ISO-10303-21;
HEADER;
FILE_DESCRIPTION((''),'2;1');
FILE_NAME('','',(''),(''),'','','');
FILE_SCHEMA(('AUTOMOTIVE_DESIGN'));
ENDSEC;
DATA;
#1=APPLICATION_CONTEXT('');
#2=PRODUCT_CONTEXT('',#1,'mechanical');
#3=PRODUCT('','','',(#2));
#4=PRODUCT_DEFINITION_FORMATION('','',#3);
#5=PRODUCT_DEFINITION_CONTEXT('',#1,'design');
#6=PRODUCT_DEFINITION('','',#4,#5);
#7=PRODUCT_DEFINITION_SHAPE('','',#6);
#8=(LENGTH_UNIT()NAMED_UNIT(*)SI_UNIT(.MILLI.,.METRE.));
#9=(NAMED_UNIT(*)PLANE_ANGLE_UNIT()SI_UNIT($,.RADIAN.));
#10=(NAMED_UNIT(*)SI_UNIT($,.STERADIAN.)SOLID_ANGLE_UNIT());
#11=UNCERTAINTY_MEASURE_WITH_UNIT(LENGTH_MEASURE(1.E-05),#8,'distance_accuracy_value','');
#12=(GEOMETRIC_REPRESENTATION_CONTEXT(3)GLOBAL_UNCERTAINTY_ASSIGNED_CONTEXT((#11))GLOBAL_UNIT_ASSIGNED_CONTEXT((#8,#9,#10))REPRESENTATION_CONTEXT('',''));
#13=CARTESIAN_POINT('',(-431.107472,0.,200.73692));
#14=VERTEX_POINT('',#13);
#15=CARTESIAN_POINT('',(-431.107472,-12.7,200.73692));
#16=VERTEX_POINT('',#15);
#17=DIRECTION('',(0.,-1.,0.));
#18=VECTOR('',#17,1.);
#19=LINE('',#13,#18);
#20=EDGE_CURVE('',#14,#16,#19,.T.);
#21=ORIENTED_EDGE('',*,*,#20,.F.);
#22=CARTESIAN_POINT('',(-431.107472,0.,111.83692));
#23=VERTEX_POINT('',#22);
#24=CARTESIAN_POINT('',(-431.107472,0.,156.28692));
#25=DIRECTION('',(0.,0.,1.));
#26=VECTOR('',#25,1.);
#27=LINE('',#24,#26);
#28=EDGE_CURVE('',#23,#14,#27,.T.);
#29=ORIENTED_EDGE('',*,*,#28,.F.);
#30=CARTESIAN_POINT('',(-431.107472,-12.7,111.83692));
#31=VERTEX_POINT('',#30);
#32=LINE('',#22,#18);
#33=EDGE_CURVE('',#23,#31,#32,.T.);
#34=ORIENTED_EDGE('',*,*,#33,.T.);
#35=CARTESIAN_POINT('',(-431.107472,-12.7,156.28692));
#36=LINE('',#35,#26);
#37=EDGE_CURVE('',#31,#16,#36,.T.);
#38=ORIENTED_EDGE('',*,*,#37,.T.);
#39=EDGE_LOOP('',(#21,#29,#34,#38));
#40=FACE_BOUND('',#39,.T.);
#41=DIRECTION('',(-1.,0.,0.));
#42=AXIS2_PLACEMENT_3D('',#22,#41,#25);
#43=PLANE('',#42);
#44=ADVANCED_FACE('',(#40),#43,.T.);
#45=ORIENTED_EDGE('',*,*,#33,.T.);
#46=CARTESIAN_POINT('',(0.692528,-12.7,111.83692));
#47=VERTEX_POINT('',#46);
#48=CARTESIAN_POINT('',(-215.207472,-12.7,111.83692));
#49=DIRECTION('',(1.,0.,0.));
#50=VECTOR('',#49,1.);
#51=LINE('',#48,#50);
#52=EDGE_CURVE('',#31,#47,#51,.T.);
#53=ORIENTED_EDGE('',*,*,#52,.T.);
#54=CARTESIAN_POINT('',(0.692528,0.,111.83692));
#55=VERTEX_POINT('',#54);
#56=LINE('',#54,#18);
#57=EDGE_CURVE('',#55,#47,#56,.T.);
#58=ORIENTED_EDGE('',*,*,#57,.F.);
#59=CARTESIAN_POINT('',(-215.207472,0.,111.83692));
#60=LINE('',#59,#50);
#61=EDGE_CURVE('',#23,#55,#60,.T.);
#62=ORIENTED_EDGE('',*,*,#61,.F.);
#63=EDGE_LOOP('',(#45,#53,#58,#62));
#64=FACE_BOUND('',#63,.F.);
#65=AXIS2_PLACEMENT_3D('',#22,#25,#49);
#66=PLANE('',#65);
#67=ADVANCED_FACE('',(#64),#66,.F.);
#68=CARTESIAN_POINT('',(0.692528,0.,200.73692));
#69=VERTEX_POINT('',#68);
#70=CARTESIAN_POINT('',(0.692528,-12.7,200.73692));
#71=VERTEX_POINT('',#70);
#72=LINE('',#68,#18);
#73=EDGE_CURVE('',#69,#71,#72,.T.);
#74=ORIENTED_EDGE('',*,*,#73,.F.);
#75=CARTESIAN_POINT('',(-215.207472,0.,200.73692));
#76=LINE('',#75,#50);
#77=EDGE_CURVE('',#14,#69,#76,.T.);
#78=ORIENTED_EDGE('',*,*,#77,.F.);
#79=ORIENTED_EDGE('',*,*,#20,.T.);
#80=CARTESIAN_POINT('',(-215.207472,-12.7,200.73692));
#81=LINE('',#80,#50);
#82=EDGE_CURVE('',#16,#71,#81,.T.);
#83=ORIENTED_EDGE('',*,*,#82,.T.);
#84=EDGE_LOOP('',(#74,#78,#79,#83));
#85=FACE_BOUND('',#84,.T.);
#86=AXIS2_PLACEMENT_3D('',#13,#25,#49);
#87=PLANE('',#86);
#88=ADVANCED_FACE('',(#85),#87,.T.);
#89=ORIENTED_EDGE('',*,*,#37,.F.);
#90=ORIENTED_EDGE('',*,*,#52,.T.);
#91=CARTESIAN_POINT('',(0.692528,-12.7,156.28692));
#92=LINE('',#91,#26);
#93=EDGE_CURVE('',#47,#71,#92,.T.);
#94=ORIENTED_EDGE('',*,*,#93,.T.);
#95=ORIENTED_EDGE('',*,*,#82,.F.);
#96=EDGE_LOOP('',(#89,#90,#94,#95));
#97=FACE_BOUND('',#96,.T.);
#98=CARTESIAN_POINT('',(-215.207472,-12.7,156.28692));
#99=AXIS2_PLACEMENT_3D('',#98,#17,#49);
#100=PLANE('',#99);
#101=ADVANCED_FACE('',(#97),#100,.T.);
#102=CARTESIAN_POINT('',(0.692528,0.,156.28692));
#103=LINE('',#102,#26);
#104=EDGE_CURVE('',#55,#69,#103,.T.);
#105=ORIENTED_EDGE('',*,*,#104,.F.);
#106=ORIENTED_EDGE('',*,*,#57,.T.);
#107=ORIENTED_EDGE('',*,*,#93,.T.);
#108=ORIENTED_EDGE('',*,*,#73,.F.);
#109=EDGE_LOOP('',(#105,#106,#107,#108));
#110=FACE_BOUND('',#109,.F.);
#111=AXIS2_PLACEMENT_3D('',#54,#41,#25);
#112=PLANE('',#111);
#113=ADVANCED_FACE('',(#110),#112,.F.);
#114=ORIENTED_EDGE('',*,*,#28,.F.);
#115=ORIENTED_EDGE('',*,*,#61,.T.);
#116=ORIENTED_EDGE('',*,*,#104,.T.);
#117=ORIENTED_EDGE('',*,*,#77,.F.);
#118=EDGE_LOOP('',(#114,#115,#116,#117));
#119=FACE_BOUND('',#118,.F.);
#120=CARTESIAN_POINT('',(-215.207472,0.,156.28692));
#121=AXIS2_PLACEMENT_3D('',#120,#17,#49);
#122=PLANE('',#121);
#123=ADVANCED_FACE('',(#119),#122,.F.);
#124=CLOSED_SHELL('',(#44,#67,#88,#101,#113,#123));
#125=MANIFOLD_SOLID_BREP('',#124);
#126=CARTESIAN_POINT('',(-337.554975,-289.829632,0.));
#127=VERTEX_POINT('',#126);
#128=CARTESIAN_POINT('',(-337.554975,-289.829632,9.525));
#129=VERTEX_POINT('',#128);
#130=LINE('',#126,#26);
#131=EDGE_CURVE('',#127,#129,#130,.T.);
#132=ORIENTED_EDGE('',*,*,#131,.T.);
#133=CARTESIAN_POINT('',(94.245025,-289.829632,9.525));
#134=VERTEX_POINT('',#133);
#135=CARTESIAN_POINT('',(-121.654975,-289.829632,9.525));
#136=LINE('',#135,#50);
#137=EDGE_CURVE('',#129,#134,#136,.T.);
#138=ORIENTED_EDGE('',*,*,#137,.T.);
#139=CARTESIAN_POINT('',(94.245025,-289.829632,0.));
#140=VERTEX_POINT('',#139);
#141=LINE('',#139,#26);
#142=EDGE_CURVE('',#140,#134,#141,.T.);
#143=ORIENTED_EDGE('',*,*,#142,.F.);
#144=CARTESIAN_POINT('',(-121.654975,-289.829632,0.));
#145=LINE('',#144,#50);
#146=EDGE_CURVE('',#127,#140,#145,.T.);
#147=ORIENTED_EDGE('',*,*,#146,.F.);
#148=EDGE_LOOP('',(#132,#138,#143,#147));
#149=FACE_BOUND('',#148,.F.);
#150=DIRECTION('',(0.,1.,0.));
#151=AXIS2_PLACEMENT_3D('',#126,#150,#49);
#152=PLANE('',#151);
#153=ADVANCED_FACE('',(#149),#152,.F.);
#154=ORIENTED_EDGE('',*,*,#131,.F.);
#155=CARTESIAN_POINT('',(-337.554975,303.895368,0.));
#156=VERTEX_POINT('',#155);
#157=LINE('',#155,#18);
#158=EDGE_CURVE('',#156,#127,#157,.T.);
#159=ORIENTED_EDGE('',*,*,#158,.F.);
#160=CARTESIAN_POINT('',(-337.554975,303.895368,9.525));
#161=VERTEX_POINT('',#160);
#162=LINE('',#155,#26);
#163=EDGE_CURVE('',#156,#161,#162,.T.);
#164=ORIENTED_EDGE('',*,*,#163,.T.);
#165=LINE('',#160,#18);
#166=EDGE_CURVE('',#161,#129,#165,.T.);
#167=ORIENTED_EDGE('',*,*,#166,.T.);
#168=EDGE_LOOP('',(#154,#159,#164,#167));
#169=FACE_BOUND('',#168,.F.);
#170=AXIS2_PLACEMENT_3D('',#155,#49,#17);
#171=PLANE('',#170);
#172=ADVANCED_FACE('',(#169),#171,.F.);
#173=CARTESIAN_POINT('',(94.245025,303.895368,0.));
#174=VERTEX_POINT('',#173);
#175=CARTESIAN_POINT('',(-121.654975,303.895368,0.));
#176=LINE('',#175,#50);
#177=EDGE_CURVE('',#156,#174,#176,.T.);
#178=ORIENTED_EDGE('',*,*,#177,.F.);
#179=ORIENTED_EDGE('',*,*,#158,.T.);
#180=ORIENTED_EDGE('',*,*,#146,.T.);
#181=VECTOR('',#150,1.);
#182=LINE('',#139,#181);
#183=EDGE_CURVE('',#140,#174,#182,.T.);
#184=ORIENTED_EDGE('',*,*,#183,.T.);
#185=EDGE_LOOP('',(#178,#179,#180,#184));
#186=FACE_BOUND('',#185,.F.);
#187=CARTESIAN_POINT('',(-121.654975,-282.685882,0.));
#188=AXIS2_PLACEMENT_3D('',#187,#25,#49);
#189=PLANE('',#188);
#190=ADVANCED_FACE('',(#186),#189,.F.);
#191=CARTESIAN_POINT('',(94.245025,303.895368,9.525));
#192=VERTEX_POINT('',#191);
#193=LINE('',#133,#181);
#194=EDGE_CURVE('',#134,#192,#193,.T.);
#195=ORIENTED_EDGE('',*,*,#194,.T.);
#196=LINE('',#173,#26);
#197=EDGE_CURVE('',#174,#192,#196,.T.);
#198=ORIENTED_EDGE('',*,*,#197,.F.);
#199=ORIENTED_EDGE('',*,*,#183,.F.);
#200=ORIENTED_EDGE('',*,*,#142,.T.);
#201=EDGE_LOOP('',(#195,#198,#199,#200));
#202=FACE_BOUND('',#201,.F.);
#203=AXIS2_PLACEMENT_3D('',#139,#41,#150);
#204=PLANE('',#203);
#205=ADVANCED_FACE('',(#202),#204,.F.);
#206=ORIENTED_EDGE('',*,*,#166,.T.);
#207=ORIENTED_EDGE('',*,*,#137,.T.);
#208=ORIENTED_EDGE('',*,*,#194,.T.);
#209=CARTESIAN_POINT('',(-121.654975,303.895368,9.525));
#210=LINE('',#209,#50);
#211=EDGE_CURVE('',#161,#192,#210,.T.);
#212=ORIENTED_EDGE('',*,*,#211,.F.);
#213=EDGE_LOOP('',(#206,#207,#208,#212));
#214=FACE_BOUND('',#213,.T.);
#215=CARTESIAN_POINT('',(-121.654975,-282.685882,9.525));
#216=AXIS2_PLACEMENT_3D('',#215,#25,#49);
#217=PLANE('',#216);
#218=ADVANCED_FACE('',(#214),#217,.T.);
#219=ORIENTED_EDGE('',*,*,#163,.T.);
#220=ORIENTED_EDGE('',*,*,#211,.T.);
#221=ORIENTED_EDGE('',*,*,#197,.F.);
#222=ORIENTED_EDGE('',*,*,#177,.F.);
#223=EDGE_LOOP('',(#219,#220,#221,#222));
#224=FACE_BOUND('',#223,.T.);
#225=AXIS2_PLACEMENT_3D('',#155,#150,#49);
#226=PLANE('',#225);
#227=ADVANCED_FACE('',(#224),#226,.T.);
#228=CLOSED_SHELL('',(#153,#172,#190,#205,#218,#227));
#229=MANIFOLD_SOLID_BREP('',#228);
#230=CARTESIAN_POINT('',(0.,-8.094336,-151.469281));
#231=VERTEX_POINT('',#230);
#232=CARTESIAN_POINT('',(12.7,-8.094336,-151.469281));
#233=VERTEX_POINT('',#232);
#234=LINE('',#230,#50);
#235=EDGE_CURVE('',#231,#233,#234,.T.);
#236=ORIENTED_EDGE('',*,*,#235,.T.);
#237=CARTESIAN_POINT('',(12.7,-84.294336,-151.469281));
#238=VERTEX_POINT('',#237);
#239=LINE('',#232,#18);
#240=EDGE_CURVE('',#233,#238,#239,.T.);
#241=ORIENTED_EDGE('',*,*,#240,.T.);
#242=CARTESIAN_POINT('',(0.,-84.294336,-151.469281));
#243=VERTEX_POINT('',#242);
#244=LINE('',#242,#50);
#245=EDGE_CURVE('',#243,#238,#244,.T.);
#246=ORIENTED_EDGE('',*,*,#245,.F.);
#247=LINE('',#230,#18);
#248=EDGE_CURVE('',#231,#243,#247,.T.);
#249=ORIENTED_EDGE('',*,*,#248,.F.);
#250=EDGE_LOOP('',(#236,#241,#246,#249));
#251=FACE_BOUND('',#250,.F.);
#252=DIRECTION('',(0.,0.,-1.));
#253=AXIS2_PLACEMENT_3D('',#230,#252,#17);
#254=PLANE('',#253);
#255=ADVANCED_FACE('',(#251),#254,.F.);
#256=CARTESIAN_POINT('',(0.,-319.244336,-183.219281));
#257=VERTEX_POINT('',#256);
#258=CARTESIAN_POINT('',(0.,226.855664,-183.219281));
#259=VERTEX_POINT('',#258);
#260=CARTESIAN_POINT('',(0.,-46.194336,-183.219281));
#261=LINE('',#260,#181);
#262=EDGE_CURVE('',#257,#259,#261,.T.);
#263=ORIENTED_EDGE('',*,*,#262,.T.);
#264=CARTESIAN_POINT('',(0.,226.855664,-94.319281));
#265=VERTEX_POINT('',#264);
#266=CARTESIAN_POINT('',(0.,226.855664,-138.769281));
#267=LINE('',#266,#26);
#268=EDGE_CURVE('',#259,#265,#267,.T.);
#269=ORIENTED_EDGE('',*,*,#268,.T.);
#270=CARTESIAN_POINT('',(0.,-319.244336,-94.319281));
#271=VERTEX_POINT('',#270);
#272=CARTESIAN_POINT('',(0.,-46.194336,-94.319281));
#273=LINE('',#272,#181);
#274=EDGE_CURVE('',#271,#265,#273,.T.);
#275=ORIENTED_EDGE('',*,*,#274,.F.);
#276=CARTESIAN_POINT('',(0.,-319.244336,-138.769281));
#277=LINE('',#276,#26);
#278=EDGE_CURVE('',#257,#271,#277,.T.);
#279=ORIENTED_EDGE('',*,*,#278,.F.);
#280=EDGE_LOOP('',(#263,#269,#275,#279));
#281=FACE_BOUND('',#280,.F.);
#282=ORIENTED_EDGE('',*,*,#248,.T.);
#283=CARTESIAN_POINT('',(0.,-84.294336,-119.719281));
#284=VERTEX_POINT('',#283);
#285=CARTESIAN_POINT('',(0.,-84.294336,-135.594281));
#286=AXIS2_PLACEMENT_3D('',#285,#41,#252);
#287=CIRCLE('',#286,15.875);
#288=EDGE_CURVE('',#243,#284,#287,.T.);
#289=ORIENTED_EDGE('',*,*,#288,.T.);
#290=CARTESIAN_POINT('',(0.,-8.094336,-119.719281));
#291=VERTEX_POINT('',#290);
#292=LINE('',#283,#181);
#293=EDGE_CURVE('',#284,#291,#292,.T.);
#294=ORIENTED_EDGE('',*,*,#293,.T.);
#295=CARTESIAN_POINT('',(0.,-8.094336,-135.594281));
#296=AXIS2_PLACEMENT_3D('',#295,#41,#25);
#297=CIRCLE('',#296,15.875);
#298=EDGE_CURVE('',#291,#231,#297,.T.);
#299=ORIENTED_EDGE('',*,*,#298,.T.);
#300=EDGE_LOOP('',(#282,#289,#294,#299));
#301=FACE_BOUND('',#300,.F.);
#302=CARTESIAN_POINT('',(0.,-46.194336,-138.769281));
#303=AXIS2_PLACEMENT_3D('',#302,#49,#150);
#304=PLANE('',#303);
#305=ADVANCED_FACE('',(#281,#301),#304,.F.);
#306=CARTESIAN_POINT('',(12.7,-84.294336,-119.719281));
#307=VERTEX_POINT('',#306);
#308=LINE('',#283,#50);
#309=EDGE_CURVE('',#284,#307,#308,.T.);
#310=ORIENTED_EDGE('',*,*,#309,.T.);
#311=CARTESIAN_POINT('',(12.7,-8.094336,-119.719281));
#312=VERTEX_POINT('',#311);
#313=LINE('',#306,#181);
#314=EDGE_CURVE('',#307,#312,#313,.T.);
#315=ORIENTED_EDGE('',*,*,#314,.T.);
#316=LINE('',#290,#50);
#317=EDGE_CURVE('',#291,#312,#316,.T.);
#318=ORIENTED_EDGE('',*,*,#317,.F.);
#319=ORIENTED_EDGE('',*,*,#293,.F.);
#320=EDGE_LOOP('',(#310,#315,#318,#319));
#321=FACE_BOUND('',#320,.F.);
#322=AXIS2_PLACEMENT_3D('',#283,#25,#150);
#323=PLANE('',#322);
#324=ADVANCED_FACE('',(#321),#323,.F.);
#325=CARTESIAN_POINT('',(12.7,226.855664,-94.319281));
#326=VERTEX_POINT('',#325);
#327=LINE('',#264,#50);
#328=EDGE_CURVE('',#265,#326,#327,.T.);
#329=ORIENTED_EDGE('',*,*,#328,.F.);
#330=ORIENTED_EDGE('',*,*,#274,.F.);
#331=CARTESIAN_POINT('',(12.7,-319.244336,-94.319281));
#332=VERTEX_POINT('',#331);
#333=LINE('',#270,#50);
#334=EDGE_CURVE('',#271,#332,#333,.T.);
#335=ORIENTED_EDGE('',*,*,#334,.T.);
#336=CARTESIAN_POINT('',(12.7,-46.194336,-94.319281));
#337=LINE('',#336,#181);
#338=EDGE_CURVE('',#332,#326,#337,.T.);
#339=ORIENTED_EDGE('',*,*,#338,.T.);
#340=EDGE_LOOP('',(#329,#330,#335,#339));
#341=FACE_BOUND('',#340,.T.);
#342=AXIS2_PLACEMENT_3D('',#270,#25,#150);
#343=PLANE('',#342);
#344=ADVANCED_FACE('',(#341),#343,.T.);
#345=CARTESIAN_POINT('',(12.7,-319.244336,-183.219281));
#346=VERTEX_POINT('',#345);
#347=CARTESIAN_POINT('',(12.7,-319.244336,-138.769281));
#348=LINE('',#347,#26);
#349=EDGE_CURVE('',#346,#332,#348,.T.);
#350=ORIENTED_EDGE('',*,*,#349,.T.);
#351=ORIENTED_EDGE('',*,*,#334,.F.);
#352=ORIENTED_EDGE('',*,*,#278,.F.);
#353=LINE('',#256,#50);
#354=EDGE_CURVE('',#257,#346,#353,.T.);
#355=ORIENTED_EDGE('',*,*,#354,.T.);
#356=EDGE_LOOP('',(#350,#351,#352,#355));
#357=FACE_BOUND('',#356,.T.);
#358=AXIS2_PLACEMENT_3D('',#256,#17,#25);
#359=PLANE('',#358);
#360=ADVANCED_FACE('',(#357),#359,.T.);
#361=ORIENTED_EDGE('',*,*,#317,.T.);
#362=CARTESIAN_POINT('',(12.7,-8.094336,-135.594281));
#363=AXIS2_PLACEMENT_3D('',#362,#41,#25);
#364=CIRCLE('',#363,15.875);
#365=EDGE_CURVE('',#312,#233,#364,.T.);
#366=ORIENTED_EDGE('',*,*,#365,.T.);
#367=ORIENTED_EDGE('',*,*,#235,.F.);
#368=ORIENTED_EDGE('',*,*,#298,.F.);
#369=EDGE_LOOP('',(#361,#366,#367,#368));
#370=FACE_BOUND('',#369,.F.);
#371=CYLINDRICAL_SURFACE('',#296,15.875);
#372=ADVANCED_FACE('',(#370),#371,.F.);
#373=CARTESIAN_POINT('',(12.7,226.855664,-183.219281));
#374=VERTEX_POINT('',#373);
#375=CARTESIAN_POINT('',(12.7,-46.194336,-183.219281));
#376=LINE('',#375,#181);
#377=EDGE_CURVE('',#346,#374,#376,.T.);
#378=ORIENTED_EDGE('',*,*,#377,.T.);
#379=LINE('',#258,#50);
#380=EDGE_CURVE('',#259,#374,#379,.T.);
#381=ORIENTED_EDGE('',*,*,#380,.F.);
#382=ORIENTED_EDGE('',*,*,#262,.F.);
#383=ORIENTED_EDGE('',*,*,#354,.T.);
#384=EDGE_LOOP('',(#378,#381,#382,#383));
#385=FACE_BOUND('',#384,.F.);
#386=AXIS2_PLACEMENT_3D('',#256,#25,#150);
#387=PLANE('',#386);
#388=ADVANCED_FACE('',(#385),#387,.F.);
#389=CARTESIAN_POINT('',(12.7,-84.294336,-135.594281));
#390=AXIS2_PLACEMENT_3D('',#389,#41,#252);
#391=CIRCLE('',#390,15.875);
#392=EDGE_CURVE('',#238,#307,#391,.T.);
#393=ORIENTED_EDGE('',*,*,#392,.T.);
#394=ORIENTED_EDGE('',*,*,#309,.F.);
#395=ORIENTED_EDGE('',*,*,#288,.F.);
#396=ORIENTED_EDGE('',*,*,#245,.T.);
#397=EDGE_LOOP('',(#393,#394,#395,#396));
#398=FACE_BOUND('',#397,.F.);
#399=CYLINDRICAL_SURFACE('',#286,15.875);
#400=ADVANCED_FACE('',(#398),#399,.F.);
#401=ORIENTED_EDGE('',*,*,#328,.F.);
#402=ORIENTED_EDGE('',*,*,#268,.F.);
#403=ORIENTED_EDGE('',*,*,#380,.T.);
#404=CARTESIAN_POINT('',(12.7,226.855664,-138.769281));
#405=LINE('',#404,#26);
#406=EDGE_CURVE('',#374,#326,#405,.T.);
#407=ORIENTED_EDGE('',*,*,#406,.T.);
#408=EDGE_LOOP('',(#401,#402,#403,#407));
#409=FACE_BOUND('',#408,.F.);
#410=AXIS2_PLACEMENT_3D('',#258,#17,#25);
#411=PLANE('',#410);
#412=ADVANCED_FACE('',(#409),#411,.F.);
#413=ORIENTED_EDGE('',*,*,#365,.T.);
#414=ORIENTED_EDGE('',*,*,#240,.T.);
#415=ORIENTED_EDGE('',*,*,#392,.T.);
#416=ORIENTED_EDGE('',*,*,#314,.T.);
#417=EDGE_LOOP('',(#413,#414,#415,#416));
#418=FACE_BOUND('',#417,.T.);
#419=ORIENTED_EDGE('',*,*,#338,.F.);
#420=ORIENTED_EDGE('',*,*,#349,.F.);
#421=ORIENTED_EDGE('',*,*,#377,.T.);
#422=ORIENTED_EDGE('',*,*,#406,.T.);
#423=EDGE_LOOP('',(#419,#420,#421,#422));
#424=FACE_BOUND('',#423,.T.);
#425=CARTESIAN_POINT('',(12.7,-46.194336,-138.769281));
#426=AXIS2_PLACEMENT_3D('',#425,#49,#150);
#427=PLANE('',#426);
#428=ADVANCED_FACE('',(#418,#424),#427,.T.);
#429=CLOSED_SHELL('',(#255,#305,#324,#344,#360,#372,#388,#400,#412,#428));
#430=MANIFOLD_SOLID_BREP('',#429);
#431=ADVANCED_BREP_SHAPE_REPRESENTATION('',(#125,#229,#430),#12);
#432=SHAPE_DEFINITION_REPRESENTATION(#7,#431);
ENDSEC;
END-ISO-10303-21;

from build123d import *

# Parameters (mm, degrees)
F0_W     = 431.8
F0_H     = 14.2875
F0_H_2   = 565.15
F1_DEPTH = 9.525
F2_W     = 431.8
F2_H     = 88.9
F3_DEPTH = 12.7
F4_W     = 546.1
F4_H     = 88.9
F5_DEPTH = 12.7


with BuildPart() as f1:
    # F0 (on Top) → F1 (new body)
    with BuildSketch(Plane.XY):
        with Locations((-121.654975, -282.685882)):
            Rectangle(F0_W, F0_H)
        with Locations((-121.654975, 7.032868)):
            Rectangle(F0_W, F0_H_2)
        with Locations((-121.654975, 296.751618)):
            Rectangle(F0_W, F0_H)
    extrude(amount=F1_DEPTH)


with BuildPart() as f3:
    # F2 (on Front) → F3 (new body)
    with BuildSketch(Plane.XZ):
        with Locations((-215.207472, 156.28692)):
            Rectangle(F2_W, F2_H)
    extrude(amount=F3_DEPTH)


with BuildPart() as f5:
    # F4 (on Right) → F5 (new body)
    with BuildSketch(Plane.YZ):
        with Locations((-46.194336, -138.769281)):
            Rectangle(F4_W, F4_H)
        with BuildLine():
            ThreePointArc((-84.294336, -151.469281), (-100.169336, -135.594281), (-84.294336, -119.719281))
            Line((-84.294336, -119.719281), (-8.094336, -119.719281))
            ThreePointArc((-8.094336, -119.719281), (7.780664, -135.594281), (-8.094336, -151.469281))
            Line((-8.094336, -151.469281), (-84.294336, -151.469281))
        make_face(mode=Mode.SUBTRACT)
    extrude(amount=F5_DEPTH)


solid = Compound([f1.part, f3.part, f5.part])
